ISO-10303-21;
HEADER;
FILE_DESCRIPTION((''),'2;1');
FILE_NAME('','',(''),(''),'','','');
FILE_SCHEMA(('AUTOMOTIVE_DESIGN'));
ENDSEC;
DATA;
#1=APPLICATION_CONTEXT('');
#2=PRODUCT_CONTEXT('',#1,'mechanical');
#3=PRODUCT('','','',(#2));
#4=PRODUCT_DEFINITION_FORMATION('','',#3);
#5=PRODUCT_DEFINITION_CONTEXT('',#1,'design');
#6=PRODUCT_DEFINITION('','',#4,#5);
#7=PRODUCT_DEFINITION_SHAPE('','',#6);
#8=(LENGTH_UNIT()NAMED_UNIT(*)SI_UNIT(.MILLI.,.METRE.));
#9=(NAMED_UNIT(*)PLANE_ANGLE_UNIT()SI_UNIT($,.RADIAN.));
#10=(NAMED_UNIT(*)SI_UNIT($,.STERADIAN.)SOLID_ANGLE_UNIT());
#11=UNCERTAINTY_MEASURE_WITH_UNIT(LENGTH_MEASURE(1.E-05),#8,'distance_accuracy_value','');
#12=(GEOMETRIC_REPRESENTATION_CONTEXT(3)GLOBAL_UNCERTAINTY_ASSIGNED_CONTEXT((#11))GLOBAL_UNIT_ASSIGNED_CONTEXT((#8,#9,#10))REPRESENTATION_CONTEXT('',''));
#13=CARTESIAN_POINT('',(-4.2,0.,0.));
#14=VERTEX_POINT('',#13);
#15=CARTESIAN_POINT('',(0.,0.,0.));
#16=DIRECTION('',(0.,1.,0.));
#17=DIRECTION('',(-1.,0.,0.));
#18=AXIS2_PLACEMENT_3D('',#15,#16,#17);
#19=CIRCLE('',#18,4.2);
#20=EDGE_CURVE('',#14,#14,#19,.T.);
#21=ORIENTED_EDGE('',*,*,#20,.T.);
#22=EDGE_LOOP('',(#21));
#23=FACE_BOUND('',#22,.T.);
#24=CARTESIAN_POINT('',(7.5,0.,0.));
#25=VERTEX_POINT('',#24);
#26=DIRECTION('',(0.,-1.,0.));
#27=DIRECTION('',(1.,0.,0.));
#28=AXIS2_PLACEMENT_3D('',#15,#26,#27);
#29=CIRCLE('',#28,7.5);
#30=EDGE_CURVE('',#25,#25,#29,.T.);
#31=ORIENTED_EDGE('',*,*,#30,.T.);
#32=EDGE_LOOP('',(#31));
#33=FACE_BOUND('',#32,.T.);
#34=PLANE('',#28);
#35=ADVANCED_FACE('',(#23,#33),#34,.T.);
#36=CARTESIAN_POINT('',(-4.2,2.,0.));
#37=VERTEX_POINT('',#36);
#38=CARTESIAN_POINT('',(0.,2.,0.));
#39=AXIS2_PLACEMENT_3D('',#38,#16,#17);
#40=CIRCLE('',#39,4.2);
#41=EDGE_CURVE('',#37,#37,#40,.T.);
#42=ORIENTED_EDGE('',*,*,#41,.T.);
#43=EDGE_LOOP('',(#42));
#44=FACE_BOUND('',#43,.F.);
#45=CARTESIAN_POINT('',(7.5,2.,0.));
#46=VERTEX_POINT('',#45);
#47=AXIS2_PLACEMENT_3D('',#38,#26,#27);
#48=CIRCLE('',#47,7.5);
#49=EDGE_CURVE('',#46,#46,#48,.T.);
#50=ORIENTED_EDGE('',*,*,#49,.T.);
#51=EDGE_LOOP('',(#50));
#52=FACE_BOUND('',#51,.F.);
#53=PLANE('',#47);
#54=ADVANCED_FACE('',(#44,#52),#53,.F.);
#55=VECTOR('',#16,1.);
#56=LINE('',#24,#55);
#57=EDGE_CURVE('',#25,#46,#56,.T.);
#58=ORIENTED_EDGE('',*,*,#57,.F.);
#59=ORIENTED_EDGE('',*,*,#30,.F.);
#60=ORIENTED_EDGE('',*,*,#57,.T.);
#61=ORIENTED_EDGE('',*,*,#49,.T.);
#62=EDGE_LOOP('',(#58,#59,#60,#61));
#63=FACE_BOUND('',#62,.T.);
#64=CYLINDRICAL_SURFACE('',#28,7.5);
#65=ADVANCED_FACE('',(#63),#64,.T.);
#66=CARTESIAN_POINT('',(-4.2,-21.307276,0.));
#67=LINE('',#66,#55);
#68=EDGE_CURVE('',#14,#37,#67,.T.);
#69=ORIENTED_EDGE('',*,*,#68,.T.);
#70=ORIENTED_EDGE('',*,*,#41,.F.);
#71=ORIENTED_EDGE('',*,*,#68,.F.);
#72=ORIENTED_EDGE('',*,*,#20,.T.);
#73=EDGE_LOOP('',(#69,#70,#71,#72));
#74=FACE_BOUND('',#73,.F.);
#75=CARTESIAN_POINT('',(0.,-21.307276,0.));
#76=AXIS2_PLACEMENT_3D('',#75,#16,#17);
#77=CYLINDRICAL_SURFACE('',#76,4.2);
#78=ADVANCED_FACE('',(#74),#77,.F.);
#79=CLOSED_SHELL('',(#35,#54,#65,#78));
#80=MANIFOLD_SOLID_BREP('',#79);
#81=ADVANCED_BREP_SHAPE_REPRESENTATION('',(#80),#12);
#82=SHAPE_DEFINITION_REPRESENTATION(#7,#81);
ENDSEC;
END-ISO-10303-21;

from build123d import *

# Parameters (mm, degrees)
F0_R     = 7.5
F1_DEPTH = 2
F2_D     = 8.4


with BuildPart() as f1:
    # F0 (on Front) → F1 (new body)
    with BuildSketch(Plane.XZ):
        Circle(F0_R)
    extrude(amount=-F1_DEPTH)

    # F2 (through all)
    with Locations(Plane.XZ):
        with Locations((0, 0)):
            Hole(F2_D / 2)


solid = f1.part
